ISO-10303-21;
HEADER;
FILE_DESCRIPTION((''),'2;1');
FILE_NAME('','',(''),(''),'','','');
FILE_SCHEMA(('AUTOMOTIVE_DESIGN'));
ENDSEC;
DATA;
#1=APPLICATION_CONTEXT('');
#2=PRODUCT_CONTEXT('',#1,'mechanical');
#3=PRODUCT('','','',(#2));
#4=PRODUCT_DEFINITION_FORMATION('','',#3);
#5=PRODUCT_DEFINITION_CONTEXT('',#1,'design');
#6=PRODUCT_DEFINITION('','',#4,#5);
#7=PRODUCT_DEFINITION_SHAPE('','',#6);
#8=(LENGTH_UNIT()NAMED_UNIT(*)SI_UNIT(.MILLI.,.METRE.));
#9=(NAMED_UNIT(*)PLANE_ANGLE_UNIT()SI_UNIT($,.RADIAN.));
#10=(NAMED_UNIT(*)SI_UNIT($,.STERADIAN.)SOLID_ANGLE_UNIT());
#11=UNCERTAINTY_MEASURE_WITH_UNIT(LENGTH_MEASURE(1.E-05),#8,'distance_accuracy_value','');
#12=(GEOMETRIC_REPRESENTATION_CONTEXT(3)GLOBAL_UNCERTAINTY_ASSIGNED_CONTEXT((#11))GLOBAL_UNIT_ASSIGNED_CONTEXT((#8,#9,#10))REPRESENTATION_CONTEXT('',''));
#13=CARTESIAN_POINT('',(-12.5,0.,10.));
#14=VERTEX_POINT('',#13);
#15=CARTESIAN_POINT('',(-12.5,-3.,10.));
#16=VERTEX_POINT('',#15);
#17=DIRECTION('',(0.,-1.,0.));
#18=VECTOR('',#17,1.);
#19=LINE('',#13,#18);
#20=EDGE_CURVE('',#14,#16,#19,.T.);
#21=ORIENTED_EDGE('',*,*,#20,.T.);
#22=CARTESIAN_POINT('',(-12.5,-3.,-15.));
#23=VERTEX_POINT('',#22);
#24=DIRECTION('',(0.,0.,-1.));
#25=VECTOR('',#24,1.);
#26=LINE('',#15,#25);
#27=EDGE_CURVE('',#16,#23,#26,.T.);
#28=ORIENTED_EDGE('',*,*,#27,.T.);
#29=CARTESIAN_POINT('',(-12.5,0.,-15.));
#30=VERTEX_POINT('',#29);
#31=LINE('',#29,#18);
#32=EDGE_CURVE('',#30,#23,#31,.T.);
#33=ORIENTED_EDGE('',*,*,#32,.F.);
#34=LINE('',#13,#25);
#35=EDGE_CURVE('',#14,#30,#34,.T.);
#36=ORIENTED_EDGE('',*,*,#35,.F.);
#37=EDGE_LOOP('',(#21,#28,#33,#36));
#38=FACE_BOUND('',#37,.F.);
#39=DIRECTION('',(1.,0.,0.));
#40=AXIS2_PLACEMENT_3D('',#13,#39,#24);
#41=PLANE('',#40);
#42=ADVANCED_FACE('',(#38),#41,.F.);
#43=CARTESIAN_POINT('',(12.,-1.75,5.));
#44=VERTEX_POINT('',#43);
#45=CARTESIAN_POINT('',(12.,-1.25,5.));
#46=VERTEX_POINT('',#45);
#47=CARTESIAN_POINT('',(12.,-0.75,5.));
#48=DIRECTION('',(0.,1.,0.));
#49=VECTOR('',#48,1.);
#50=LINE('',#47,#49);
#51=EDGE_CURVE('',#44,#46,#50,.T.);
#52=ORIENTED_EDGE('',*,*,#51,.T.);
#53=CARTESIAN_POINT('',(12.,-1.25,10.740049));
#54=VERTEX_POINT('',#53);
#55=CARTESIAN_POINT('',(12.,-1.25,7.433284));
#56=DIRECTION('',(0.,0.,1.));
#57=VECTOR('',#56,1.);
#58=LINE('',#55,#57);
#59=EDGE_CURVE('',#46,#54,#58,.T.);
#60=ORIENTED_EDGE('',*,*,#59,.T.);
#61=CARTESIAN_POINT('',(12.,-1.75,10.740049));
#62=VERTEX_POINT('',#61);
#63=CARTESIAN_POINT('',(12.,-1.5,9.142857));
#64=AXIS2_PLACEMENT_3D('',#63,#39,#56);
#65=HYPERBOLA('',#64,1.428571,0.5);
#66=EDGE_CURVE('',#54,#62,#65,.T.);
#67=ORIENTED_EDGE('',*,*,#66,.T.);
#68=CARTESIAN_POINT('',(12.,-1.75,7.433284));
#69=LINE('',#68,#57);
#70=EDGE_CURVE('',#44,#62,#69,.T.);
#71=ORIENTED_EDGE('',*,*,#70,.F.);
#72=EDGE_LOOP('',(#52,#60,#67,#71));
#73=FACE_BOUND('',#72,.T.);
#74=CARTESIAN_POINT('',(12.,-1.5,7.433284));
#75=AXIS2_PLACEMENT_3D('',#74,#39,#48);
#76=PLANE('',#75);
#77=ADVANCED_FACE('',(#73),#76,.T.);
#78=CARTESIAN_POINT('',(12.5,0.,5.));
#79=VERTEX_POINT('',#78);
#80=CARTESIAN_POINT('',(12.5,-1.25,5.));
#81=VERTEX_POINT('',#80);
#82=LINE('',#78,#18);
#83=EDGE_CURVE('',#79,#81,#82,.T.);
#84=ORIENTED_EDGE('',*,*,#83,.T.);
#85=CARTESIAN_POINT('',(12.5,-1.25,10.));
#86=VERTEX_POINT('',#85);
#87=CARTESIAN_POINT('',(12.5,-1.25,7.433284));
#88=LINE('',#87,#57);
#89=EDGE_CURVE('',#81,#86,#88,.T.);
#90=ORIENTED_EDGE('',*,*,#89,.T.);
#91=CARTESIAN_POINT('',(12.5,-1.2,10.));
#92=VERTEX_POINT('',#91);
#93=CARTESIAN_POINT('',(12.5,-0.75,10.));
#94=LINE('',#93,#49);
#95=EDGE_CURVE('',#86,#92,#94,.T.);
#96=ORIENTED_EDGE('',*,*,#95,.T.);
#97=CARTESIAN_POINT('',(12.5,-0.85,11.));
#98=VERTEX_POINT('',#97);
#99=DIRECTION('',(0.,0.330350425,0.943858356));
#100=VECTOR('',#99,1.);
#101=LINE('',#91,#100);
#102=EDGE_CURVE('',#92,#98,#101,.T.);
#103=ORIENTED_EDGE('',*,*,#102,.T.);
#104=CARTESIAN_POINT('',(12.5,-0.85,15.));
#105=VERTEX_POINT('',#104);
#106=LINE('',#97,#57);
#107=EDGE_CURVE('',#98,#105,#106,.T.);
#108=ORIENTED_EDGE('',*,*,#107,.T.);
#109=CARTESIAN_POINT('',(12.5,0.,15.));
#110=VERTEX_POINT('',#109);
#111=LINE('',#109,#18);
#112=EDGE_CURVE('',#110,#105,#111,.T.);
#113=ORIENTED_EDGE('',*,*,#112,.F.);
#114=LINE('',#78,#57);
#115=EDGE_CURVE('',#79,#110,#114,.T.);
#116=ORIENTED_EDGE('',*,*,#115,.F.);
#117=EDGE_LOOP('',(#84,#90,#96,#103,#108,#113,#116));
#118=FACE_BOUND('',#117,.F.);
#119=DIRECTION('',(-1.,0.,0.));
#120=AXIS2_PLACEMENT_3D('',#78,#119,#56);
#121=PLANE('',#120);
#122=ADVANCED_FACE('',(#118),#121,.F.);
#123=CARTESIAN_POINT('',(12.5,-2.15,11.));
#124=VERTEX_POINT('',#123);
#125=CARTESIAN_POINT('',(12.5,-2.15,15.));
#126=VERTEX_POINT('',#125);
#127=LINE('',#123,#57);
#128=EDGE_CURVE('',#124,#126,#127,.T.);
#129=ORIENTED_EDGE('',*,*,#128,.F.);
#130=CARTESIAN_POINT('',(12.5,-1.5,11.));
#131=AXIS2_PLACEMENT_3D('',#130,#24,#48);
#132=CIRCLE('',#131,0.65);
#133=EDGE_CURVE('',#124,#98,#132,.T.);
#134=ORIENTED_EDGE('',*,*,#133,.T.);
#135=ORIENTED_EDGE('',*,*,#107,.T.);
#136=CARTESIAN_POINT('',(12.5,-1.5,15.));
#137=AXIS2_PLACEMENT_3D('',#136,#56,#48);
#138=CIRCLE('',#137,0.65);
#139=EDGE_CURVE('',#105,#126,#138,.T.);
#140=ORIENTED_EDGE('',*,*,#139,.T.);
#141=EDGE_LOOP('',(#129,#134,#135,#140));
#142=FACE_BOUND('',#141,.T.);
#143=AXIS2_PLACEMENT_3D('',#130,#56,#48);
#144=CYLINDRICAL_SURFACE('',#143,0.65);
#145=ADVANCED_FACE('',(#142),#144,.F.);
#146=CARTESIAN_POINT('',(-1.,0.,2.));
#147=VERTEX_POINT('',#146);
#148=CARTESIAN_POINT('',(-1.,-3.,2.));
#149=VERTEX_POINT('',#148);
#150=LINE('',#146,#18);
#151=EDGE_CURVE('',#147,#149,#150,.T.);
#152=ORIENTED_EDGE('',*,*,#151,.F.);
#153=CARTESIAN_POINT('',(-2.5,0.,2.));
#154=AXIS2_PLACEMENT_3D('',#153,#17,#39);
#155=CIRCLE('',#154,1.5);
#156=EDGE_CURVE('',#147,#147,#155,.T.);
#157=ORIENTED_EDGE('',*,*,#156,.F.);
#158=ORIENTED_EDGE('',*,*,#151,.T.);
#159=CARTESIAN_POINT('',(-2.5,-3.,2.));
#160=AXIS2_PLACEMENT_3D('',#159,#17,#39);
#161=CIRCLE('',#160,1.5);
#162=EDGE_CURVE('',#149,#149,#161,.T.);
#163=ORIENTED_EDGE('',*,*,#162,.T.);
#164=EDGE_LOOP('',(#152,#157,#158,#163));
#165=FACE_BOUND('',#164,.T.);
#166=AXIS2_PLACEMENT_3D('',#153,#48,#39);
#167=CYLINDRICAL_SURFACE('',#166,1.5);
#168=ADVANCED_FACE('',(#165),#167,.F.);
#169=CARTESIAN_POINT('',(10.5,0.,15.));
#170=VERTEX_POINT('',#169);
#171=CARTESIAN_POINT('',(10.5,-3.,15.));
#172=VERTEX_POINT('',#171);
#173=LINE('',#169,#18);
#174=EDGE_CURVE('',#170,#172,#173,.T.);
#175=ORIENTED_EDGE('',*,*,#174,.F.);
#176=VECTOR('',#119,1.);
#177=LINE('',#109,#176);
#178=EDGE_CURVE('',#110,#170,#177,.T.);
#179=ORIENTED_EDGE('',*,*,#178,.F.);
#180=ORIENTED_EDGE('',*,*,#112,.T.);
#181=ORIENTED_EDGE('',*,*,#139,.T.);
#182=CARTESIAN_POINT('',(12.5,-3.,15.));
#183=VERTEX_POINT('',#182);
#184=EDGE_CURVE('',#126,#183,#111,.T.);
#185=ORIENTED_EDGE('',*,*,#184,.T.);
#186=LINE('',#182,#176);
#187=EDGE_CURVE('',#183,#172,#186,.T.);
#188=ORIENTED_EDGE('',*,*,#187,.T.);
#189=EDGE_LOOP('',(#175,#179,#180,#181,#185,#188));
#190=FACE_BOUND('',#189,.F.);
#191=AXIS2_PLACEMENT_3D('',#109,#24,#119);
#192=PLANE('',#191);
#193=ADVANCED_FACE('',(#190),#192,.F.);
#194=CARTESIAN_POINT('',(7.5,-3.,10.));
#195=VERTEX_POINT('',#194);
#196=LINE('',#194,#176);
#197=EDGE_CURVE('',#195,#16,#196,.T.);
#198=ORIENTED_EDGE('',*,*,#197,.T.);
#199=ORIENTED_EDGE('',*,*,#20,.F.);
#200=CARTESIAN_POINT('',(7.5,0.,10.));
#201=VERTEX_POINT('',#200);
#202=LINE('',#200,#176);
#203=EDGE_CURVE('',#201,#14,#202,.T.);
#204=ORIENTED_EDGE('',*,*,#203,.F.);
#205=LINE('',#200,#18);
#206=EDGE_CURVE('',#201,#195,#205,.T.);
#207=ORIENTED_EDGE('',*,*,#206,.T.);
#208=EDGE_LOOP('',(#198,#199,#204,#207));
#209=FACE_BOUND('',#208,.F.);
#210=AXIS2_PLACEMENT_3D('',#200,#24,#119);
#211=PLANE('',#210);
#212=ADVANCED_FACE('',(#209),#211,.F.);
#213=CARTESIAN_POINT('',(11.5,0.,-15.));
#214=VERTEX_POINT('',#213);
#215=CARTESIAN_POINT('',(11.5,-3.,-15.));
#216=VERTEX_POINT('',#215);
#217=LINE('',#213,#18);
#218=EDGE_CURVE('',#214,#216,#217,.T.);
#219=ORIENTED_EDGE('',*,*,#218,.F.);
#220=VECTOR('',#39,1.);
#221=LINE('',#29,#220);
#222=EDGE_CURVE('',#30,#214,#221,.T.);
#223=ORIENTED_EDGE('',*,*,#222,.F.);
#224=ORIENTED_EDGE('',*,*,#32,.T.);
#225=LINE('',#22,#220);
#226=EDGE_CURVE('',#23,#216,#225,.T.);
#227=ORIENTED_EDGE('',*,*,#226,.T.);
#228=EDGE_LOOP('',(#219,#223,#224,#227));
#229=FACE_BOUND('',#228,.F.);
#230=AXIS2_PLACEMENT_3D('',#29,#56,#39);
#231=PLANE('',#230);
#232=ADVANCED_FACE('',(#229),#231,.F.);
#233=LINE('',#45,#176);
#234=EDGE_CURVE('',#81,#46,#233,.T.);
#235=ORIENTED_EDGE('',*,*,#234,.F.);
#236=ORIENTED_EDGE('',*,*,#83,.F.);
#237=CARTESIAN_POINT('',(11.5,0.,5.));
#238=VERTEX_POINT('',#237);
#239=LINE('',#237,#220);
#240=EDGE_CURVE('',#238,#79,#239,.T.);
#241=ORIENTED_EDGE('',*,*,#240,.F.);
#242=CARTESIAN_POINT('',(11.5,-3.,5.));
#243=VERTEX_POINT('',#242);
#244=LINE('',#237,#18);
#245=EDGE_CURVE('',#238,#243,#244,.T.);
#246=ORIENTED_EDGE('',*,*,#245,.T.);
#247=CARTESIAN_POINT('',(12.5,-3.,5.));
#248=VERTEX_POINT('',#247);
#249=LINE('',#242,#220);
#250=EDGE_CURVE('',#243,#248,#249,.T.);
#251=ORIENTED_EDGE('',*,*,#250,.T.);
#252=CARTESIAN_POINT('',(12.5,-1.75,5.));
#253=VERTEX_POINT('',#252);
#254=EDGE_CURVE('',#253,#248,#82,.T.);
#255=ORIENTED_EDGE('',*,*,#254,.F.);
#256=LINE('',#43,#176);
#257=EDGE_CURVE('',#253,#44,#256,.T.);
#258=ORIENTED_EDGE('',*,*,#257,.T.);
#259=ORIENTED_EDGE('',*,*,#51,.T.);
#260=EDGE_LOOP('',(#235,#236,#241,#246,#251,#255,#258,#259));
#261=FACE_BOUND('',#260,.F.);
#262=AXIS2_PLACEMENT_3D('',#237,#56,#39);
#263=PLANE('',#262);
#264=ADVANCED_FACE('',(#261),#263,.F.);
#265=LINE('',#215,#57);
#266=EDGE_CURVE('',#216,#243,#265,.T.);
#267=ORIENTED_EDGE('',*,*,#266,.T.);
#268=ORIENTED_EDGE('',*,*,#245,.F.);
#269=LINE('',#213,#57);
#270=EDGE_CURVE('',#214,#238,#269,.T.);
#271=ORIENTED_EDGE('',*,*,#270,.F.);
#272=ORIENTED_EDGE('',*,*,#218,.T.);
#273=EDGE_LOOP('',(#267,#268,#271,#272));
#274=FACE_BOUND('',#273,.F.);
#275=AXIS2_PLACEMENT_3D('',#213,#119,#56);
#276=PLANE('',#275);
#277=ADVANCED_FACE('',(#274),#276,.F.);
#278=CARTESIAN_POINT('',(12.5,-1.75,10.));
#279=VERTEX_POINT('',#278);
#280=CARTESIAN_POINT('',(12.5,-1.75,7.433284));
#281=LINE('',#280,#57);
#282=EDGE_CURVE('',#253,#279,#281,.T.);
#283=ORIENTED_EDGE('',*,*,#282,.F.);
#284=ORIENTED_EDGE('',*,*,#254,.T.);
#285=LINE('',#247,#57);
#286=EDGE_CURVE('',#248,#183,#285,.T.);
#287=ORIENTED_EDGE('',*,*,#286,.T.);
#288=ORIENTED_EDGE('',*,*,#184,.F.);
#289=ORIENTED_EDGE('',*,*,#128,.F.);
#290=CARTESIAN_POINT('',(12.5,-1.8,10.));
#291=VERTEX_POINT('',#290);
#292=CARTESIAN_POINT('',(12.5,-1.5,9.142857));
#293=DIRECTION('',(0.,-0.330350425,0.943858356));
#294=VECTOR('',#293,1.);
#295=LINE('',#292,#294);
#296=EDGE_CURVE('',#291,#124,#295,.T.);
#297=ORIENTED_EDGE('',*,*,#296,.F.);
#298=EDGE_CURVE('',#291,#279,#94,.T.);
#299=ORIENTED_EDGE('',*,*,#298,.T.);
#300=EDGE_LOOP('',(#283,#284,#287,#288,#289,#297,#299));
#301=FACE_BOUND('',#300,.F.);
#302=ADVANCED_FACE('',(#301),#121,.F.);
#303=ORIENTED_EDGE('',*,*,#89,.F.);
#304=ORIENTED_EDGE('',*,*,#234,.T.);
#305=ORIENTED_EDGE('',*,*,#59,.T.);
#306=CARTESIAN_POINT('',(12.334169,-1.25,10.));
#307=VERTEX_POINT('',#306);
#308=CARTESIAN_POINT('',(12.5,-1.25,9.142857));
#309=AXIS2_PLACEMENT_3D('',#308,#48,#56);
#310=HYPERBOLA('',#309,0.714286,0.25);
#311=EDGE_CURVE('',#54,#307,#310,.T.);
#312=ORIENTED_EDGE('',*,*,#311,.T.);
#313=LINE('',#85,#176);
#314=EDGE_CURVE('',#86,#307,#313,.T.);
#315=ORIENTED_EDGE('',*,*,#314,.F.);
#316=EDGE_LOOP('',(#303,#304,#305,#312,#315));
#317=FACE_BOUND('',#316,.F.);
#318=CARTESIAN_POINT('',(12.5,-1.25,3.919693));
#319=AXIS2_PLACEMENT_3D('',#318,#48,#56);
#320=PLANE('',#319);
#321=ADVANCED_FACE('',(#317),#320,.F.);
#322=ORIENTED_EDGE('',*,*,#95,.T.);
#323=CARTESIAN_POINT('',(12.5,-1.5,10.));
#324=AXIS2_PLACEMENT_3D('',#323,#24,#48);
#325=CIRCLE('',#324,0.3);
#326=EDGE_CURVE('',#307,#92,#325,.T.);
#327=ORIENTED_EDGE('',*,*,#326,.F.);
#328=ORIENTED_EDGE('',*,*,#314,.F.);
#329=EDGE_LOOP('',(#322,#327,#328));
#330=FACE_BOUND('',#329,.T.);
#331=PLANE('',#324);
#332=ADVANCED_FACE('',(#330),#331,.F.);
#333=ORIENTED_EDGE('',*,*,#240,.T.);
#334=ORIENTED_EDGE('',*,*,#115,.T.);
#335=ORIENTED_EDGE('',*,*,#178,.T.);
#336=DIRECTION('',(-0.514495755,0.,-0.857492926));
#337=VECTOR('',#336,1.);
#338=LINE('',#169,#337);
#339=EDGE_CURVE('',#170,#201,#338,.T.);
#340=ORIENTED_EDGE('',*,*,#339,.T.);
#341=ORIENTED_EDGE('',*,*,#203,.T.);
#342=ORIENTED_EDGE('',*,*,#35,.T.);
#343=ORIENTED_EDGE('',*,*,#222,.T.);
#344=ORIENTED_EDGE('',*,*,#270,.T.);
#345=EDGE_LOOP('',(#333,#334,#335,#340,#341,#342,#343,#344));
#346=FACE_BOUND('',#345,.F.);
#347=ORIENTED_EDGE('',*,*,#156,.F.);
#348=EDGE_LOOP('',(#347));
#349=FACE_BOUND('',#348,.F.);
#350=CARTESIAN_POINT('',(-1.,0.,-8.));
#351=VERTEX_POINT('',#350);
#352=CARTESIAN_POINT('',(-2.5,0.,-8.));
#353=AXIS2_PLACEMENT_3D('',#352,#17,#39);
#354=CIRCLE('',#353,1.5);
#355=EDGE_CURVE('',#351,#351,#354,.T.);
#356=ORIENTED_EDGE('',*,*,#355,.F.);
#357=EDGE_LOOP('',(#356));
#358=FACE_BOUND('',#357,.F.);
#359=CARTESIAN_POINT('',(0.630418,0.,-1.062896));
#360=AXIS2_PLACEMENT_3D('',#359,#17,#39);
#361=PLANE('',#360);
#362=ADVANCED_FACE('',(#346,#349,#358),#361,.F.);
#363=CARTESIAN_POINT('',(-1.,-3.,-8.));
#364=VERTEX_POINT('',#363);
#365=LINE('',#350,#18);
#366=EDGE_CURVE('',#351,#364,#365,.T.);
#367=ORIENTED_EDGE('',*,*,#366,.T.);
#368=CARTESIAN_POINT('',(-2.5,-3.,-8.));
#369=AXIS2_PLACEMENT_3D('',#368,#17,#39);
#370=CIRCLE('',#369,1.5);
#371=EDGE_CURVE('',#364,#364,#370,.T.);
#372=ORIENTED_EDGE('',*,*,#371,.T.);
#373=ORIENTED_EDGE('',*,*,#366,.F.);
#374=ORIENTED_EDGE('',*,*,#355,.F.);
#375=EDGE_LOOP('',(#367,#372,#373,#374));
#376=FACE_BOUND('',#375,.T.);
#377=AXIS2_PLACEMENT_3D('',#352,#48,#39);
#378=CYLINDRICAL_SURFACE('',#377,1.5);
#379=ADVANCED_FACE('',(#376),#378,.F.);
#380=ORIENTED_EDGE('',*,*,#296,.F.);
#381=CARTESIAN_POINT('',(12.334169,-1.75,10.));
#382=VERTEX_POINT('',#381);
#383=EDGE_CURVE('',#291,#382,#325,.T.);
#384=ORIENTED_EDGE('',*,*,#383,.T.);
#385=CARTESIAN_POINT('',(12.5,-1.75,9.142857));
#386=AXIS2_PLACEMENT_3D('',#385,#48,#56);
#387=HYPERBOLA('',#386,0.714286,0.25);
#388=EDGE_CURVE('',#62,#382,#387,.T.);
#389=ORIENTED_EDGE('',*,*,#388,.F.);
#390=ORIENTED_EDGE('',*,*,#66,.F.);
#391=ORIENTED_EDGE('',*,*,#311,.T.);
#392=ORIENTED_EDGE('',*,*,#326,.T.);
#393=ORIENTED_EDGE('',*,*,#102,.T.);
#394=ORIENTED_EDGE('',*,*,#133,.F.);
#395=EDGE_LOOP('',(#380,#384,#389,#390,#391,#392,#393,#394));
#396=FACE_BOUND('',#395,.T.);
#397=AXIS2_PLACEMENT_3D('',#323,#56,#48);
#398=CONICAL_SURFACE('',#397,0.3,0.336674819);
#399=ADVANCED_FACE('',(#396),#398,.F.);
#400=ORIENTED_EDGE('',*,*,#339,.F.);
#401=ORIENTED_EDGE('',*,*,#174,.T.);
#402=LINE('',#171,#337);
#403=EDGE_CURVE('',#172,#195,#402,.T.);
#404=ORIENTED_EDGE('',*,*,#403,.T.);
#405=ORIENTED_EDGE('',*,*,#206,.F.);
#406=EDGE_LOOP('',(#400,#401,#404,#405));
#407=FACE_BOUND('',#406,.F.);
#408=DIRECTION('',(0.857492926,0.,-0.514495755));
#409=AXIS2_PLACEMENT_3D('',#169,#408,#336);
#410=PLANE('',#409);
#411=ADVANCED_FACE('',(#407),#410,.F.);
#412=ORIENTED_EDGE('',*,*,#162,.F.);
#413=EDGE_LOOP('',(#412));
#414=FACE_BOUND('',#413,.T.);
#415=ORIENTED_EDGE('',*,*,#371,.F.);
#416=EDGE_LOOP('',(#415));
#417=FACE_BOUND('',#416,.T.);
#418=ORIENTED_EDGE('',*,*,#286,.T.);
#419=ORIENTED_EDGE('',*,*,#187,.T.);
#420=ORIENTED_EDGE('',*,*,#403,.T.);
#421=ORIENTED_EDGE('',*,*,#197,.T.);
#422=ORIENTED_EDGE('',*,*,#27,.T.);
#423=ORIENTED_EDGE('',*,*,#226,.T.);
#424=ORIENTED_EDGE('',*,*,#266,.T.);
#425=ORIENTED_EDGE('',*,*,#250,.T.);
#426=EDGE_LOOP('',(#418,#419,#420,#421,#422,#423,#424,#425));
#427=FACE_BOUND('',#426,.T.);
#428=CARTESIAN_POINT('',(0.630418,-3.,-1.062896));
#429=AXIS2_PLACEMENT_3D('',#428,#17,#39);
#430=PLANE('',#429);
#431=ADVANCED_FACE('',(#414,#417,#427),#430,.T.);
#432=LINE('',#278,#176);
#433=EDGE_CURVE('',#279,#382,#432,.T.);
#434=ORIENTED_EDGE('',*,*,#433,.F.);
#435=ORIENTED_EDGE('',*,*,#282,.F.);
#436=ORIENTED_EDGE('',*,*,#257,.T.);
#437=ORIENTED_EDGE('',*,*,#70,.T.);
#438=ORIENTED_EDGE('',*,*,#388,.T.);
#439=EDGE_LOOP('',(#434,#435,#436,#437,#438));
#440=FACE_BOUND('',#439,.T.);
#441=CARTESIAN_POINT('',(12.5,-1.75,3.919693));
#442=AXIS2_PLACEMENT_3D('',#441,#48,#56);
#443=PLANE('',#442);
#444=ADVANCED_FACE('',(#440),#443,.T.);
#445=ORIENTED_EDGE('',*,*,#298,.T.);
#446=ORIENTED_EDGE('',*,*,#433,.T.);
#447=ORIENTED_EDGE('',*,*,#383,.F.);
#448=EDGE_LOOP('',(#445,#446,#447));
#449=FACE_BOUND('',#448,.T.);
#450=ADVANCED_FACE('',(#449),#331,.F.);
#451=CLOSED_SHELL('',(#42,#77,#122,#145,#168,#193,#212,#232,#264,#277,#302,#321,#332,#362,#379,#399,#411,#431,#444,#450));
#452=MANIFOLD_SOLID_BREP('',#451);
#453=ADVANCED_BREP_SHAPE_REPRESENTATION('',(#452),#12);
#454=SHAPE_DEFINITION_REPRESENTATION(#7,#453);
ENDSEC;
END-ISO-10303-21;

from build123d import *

# Parameters (mm, degrees)
F0_R     = 1.5
F1_DEPTH = 3
F4_W     = 0.5
F4_H     = 7.027182
F5_DEPTH = 0.5


with BuildPart() as f1:
    # F0 (on Front) → F1 (new body)
    with BuildSketch(Plane.XZ):
        Polygon((12.5, 5), (12.5, 15), (10.5, 15), (7.5, 10), (-12.5, 10), (-12.5, -15), (11.5, -15), (11.5, 5), align=None)
        with Locations((-2.5, -8)):
            Circle(F0_R, mode=Mode.SUBTRACT)
        with Locations((-2.5, 2)):
            Circle(F0_R, mode=Mode.SUBTRACT)
    extrude(amount=F1_DEPTH)

    # F2 (on face) → F3 (revolve, cut)
    with BuildSketch(Plane.YZ.offset(12.5)):
        Polygon((-0.85, 15.881686), (-1.5, 15.881686), (-1.5, 10), (-1.2, 10), (-0.85, 11), align=None)
    revolve(axis=Axis((12.5, -1.5, 3.419226), (0, 0, -1)), mode=Mode.SUBTRACT)

    # F4 (on face) → F5 (cut)
    with BuildSketch(Plane.YZ.offset(12.5)):
        with Locations((-1.5, 7.433284)):
            Rectangle(F4_W, F4_H)
    extrude(amount=-F5_DEPTH, mode=Mode.SUBTRACT)


solid = f1.part
